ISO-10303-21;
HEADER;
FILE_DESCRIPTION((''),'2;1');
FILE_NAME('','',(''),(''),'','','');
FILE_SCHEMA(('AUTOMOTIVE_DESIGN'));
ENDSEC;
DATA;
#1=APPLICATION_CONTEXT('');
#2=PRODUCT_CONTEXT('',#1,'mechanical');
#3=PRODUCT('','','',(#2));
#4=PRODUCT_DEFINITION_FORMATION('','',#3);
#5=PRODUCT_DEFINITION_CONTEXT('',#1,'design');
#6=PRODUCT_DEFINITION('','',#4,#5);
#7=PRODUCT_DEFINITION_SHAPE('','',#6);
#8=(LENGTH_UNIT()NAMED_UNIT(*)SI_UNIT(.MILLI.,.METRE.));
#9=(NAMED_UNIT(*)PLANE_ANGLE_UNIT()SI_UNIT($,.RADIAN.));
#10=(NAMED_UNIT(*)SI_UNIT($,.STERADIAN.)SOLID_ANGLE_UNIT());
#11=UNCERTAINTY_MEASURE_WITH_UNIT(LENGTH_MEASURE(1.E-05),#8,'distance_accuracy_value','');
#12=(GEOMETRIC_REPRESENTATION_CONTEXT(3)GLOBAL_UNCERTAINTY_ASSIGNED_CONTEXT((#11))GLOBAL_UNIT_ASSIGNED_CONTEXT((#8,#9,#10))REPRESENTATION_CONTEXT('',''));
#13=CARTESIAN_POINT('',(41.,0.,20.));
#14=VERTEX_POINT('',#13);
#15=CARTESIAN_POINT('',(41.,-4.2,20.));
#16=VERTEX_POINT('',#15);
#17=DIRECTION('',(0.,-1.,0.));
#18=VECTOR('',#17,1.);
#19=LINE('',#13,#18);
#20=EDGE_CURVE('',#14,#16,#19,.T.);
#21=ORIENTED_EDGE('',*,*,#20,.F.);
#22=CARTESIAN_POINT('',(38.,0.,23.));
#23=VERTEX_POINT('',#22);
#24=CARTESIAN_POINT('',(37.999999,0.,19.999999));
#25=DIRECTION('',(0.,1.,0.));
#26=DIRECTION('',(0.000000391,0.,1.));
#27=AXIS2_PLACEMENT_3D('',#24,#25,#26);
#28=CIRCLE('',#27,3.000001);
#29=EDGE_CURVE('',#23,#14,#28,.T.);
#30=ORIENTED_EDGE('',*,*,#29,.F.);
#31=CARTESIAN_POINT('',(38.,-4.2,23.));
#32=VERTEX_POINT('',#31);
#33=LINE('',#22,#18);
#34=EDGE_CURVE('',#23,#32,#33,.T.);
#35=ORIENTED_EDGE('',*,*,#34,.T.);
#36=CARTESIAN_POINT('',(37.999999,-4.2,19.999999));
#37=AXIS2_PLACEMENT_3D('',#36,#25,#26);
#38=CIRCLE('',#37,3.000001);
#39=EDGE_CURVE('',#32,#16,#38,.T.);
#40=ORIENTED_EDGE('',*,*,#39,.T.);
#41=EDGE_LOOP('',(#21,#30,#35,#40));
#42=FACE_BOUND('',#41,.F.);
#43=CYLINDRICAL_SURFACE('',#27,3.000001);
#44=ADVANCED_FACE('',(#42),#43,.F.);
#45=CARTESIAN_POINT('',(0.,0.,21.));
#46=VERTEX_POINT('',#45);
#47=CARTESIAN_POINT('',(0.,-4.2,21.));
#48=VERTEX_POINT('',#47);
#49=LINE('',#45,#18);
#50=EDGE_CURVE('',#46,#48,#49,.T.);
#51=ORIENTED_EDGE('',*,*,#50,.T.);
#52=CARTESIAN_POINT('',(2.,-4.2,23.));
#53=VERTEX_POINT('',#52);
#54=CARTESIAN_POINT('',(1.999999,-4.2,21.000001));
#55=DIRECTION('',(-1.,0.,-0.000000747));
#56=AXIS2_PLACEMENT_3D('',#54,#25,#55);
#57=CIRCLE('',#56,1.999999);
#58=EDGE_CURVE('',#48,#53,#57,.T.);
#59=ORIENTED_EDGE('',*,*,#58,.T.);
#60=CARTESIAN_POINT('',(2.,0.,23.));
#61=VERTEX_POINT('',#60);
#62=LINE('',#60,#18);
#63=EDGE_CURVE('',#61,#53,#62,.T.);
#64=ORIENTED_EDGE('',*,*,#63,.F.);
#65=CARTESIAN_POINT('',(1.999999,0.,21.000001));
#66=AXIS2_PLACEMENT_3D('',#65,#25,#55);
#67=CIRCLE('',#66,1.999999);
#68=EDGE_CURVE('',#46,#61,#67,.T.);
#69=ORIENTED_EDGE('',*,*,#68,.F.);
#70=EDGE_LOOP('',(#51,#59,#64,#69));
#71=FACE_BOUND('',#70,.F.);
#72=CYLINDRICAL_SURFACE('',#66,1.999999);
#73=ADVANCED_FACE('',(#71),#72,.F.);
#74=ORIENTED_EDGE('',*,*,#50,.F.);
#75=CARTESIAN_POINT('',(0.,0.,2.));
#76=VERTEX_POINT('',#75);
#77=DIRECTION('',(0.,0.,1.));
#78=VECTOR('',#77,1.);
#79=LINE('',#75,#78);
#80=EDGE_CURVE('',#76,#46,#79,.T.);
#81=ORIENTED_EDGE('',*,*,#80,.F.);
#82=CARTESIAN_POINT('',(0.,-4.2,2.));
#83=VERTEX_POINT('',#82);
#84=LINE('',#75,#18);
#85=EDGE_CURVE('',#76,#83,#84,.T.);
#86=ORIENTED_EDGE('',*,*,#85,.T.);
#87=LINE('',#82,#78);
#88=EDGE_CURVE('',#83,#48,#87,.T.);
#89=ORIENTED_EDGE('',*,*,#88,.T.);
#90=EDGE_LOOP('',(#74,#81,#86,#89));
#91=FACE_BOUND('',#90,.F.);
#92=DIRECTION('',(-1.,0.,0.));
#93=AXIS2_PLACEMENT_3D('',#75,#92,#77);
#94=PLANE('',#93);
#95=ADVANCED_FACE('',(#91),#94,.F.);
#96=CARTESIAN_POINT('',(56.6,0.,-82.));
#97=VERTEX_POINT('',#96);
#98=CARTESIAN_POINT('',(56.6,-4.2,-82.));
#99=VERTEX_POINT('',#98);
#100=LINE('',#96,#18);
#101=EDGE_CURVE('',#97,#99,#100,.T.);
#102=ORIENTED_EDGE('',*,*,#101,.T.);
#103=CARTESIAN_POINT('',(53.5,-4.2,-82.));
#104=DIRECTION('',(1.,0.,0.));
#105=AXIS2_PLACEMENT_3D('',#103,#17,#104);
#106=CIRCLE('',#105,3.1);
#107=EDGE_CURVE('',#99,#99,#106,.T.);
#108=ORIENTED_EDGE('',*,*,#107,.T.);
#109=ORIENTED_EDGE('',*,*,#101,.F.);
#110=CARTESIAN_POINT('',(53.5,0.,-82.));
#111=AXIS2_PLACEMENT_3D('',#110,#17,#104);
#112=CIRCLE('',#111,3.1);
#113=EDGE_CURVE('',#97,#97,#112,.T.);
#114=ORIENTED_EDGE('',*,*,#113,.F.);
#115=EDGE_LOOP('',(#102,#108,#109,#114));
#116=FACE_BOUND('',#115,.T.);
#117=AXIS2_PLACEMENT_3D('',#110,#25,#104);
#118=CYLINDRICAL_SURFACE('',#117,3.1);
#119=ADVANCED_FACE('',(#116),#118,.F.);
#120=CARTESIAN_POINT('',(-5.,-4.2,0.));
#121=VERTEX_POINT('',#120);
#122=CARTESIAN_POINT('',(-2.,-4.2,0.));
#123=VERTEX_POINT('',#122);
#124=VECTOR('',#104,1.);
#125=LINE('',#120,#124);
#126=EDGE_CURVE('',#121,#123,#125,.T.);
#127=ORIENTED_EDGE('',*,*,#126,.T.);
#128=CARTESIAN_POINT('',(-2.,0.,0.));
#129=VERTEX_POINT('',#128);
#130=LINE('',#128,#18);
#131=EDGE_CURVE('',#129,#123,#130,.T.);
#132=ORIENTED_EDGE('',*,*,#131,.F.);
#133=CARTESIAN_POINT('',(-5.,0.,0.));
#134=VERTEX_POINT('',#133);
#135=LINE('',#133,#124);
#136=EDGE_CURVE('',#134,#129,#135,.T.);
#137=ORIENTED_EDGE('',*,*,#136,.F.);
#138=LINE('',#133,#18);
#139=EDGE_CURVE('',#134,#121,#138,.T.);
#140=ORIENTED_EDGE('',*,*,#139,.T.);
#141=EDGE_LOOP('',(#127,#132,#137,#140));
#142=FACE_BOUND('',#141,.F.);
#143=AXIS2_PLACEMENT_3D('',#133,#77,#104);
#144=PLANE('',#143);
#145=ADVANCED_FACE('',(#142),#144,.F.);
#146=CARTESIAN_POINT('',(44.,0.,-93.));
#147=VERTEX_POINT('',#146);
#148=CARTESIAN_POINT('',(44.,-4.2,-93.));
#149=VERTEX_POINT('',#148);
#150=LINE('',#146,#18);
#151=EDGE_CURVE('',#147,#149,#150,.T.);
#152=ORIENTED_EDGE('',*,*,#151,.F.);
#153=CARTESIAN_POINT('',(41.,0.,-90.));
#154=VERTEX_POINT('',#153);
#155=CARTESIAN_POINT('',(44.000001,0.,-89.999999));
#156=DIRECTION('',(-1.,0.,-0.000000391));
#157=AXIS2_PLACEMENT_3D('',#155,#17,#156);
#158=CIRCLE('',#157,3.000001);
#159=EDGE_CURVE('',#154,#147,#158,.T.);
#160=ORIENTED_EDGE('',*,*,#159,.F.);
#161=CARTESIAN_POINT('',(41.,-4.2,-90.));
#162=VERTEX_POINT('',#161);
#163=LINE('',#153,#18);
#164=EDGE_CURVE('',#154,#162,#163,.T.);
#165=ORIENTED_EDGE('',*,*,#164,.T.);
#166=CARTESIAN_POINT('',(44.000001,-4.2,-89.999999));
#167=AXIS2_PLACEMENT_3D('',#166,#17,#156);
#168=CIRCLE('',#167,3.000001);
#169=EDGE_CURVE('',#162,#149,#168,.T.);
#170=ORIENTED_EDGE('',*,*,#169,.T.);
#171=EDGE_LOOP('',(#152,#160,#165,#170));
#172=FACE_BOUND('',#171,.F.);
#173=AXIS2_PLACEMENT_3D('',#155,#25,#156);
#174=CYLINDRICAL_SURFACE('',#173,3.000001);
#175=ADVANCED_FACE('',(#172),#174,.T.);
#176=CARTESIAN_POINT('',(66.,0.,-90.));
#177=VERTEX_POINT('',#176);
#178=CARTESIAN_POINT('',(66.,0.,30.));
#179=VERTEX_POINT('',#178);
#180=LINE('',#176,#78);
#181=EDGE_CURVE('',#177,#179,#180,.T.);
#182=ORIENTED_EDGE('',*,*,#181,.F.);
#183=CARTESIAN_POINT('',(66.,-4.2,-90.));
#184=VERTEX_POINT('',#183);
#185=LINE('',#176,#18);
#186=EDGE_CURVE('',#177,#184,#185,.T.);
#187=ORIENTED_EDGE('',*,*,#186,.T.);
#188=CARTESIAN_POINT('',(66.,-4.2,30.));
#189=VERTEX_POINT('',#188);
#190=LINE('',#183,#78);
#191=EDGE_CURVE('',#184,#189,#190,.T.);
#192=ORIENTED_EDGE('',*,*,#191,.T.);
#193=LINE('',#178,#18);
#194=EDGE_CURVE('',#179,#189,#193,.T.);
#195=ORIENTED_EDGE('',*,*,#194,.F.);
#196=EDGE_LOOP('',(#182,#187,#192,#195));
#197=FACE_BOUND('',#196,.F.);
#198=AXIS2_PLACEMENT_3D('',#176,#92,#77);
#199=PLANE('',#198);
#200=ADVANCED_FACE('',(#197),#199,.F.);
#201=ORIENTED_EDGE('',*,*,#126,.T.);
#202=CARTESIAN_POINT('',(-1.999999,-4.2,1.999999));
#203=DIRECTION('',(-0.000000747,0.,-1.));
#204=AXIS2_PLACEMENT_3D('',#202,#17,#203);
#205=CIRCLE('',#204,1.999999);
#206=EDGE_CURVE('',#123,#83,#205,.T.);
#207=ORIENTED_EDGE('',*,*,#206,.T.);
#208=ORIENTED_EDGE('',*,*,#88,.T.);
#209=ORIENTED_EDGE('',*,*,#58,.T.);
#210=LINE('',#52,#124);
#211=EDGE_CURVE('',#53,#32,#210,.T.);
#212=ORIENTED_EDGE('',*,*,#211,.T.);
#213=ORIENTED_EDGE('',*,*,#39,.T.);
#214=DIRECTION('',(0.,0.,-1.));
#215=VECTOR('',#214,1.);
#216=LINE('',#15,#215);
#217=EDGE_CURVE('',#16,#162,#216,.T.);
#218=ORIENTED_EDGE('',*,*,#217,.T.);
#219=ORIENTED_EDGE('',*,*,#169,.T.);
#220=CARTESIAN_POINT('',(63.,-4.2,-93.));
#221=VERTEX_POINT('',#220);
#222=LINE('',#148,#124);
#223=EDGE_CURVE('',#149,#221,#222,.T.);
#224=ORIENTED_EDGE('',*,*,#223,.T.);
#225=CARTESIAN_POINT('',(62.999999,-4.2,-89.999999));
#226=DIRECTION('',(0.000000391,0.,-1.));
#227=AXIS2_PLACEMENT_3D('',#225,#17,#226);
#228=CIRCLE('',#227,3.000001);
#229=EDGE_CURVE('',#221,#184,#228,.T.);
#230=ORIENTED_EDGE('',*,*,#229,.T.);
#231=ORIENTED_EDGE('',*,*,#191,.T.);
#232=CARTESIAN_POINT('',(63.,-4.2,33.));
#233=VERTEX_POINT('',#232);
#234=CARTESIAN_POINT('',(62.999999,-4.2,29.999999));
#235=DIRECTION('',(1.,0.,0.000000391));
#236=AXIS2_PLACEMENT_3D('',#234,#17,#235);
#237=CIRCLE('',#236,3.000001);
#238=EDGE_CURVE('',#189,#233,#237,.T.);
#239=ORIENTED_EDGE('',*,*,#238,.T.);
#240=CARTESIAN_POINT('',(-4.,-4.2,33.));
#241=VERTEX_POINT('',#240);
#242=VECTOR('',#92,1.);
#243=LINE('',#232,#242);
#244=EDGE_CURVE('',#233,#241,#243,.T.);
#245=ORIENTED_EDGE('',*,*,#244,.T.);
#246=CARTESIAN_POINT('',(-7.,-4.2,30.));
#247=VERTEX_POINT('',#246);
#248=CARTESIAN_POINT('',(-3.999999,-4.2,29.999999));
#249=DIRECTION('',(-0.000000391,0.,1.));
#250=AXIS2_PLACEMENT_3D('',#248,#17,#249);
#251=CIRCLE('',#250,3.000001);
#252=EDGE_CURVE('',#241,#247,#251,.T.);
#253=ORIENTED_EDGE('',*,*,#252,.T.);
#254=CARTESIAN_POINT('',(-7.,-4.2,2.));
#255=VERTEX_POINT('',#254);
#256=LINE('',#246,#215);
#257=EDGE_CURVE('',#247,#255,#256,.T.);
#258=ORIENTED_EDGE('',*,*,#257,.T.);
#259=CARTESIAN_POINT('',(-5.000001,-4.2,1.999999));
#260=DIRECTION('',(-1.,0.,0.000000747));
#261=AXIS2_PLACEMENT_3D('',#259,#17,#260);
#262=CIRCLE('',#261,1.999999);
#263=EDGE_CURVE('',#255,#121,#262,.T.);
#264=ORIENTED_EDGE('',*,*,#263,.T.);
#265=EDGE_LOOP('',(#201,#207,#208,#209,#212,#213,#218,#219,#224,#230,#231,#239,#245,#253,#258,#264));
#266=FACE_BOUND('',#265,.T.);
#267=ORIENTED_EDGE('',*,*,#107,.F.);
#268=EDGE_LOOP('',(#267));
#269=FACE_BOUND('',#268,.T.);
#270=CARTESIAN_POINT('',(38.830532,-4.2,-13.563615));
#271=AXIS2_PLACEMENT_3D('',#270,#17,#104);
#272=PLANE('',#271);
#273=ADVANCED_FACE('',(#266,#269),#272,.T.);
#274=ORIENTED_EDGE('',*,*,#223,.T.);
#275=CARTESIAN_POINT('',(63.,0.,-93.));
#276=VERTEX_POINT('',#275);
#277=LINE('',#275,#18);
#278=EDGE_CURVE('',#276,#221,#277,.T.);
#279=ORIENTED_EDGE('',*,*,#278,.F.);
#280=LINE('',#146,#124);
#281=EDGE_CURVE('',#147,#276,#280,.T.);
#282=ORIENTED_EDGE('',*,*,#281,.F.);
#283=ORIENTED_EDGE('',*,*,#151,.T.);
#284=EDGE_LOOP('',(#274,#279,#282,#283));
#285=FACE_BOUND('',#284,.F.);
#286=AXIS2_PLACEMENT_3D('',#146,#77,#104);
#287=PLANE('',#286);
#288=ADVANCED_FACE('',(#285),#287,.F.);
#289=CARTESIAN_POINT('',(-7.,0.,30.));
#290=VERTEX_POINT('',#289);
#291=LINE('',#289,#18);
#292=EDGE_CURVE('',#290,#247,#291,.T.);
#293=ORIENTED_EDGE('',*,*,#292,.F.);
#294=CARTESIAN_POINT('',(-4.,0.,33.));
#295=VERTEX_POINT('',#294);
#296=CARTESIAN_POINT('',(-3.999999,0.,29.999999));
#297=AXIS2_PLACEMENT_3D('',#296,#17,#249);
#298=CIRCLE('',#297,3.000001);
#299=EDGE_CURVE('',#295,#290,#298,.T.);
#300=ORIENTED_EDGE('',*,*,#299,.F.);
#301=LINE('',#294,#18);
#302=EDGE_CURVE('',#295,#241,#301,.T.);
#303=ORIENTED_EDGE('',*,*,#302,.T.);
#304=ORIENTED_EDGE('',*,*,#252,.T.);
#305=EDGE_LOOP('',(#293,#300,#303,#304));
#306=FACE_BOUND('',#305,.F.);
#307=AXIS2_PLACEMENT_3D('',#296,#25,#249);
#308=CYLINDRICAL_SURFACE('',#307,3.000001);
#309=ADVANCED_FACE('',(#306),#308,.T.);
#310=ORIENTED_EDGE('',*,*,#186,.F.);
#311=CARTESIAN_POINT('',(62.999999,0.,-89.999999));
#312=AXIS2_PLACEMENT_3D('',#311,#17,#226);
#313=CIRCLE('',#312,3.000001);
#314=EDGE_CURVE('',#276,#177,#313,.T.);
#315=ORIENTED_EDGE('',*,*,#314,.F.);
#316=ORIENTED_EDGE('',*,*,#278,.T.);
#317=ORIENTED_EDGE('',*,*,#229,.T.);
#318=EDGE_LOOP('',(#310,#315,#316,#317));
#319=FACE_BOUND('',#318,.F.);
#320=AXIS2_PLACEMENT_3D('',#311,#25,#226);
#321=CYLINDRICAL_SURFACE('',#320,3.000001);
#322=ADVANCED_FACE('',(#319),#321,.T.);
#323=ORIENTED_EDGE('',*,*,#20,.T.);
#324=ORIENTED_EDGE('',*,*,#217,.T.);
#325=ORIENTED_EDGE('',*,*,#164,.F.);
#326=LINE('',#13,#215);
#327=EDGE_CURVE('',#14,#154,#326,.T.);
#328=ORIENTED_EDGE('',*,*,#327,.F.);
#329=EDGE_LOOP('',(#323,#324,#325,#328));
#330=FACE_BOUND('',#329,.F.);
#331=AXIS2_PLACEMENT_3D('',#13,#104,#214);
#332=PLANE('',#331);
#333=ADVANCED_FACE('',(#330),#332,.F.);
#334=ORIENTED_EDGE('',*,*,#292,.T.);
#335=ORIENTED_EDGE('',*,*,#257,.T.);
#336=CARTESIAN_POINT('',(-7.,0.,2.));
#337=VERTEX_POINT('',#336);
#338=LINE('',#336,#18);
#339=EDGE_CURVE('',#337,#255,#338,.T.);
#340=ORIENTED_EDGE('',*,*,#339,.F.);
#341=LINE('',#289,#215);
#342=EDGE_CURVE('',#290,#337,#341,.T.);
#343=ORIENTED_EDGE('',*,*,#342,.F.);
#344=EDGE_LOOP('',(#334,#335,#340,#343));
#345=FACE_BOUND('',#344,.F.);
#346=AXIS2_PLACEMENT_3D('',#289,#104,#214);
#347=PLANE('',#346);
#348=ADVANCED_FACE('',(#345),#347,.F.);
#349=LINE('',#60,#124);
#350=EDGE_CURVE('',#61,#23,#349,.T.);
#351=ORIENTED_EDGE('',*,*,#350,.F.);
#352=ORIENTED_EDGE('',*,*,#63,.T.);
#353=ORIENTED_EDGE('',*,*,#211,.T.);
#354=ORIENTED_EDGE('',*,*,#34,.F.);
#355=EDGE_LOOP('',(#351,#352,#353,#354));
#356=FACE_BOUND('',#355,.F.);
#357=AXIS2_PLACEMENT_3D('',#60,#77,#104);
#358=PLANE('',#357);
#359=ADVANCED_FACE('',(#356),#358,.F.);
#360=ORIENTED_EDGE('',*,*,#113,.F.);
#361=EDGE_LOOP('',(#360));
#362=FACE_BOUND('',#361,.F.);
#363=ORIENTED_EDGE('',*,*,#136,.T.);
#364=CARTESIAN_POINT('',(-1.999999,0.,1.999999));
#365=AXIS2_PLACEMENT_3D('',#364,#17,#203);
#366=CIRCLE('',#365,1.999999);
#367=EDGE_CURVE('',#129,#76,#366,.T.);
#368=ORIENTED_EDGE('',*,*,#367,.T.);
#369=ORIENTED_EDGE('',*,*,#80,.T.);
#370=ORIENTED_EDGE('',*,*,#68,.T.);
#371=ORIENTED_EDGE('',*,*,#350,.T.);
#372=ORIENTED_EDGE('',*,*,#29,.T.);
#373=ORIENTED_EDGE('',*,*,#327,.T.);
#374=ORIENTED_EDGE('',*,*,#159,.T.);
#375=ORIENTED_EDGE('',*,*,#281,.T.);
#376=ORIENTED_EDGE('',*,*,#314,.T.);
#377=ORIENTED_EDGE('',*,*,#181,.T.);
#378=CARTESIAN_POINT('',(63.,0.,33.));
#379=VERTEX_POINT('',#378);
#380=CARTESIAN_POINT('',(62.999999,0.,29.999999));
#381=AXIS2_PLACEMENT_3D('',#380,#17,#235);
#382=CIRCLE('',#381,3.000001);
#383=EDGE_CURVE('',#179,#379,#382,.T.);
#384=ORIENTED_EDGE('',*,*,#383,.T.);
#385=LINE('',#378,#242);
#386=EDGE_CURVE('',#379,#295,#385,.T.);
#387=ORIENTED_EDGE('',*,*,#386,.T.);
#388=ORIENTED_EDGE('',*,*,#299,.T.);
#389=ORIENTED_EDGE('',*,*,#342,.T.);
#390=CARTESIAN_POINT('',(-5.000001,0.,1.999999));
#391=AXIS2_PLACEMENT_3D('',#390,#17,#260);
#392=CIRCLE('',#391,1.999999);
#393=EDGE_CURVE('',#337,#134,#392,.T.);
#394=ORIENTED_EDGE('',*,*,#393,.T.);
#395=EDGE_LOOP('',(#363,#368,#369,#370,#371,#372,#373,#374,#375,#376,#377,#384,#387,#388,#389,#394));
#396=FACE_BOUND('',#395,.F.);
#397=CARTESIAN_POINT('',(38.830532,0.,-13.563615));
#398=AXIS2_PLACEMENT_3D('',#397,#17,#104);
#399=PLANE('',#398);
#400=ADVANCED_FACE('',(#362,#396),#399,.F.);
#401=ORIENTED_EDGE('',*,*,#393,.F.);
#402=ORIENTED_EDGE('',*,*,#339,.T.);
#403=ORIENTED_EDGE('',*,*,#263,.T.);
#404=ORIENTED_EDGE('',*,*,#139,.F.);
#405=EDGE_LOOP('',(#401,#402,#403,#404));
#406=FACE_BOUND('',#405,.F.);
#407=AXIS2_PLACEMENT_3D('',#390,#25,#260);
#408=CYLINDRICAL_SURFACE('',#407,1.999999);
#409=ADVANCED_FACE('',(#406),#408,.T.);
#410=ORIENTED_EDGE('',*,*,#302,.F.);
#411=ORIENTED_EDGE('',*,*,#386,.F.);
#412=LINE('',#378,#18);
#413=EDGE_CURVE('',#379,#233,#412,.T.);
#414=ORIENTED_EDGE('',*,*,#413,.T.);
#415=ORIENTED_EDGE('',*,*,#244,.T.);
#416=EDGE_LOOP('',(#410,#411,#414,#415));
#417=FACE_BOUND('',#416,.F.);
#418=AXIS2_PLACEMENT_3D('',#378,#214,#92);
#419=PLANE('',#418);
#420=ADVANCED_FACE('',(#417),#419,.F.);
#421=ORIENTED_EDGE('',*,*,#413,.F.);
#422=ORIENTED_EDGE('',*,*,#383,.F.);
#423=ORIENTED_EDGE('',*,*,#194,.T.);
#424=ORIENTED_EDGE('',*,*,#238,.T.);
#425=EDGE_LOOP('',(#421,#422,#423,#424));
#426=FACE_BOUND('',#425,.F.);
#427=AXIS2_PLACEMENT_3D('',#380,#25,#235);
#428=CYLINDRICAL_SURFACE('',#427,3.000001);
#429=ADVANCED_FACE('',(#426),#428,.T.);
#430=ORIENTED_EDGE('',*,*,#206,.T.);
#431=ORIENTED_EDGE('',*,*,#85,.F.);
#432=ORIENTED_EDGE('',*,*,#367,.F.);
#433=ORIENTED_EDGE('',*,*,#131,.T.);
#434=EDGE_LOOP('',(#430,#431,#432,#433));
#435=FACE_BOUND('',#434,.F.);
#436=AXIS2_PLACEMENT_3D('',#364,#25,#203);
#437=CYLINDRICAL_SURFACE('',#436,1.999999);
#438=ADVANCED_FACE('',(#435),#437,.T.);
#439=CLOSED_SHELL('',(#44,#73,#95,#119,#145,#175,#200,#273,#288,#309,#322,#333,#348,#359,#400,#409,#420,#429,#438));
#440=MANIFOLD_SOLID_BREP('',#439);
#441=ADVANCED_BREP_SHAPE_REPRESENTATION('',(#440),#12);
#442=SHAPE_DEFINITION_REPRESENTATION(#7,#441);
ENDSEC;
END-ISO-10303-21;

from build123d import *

# Parameters (mm, degrees)
F0_R     = 3.1
F1_DEPTH = 4.2


with BuildPart() as f1:
    # F0 (on Front) → F1 (new body)
    with BuildSketch(Plane.XZ):
        with BuildLine():
            ThreePointArc((-2, 0), (-0.585786, 0.585786), (0, 2))
            Line((0, 2), (0, 21))
            ThreePointArc((0, 21), (0.585786, 22.414214), (2, 23))
            Line((2, 23), (38, 23))
            ThreePointArc((38, 23), (40.12132, 22.12132), (41, 20))
            Line((41, 20), (41, -90))
            ThreePointArc((41, -90), (41.87868, -92.12132), (44, -93))
            Line((44, -93), (63, -93))
            ThreePointArc((63, -93), (65.12132, -92.12132), (66, -90))
            Line((66, -90), (66, 30))
            ThreePointArc((66, 30), (65.12132, 32.12132), (63, 33))
            Line((63, 33), (-4, 33))
            ThreePointArc((-4, 33), (-6.12132, 32.12132), (-7, 30))
            Line((-7, 30), (-7, 2))
            ThreePointArc((-7, 2), (-6.414214, 0.585786), (-5, 0))
            Line((-5, 0), (-2, 0))
        make_face()
        with Locations((53.5, -82)):
            Circle(F0_R, mode=Mode.SUBTRACT)
    extrude(amount=F1_DEPTH)


solid = f1.part
